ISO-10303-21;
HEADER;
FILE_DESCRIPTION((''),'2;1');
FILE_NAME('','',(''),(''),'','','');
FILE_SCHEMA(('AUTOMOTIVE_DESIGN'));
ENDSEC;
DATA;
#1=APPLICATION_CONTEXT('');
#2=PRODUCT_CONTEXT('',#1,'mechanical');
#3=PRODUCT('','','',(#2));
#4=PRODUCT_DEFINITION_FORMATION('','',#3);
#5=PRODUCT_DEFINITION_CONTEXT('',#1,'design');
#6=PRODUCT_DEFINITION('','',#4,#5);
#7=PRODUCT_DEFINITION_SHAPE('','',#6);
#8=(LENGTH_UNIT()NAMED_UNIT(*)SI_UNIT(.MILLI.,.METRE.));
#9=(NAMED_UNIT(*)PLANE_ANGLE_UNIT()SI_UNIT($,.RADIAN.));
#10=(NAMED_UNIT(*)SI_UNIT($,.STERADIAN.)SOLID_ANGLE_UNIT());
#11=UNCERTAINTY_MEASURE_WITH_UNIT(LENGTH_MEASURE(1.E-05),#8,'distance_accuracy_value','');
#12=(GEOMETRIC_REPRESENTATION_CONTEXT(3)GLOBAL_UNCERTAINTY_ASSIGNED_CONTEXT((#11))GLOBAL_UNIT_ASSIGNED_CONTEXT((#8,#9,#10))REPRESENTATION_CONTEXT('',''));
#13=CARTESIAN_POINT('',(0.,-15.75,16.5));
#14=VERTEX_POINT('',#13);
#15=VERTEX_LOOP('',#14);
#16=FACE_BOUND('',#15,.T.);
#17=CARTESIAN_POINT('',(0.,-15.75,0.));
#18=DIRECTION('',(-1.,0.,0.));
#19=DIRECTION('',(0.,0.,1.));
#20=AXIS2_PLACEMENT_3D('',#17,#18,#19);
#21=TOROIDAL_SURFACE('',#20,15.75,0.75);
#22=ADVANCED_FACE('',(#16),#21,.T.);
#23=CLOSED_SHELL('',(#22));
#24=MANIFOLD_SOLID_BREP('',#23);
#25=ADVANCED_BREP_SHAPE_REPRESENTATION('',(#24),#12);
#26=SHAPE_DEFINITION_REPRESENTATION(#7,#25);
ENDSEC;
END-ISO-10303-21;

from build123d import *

# Parameters (mm, degrees)
SKETCH1_R = 0.75


with BuildPart() as part:
    # Sketch1 → Revolve1 (revolve)
    with BuildSketch(Plane.XY, mode=Mode.PRIVATE) as revolve1_sk:
        Circle(SKETCH1_R)
    revolve(revolve1_sk.sketch.rotate(Axis((-2.665122588, -15.75, 0), (1, 0, 0)), 90), axis=Axis((-2.665122588, -15.75, 0), (1, 0, 0)))


solid = part.part
